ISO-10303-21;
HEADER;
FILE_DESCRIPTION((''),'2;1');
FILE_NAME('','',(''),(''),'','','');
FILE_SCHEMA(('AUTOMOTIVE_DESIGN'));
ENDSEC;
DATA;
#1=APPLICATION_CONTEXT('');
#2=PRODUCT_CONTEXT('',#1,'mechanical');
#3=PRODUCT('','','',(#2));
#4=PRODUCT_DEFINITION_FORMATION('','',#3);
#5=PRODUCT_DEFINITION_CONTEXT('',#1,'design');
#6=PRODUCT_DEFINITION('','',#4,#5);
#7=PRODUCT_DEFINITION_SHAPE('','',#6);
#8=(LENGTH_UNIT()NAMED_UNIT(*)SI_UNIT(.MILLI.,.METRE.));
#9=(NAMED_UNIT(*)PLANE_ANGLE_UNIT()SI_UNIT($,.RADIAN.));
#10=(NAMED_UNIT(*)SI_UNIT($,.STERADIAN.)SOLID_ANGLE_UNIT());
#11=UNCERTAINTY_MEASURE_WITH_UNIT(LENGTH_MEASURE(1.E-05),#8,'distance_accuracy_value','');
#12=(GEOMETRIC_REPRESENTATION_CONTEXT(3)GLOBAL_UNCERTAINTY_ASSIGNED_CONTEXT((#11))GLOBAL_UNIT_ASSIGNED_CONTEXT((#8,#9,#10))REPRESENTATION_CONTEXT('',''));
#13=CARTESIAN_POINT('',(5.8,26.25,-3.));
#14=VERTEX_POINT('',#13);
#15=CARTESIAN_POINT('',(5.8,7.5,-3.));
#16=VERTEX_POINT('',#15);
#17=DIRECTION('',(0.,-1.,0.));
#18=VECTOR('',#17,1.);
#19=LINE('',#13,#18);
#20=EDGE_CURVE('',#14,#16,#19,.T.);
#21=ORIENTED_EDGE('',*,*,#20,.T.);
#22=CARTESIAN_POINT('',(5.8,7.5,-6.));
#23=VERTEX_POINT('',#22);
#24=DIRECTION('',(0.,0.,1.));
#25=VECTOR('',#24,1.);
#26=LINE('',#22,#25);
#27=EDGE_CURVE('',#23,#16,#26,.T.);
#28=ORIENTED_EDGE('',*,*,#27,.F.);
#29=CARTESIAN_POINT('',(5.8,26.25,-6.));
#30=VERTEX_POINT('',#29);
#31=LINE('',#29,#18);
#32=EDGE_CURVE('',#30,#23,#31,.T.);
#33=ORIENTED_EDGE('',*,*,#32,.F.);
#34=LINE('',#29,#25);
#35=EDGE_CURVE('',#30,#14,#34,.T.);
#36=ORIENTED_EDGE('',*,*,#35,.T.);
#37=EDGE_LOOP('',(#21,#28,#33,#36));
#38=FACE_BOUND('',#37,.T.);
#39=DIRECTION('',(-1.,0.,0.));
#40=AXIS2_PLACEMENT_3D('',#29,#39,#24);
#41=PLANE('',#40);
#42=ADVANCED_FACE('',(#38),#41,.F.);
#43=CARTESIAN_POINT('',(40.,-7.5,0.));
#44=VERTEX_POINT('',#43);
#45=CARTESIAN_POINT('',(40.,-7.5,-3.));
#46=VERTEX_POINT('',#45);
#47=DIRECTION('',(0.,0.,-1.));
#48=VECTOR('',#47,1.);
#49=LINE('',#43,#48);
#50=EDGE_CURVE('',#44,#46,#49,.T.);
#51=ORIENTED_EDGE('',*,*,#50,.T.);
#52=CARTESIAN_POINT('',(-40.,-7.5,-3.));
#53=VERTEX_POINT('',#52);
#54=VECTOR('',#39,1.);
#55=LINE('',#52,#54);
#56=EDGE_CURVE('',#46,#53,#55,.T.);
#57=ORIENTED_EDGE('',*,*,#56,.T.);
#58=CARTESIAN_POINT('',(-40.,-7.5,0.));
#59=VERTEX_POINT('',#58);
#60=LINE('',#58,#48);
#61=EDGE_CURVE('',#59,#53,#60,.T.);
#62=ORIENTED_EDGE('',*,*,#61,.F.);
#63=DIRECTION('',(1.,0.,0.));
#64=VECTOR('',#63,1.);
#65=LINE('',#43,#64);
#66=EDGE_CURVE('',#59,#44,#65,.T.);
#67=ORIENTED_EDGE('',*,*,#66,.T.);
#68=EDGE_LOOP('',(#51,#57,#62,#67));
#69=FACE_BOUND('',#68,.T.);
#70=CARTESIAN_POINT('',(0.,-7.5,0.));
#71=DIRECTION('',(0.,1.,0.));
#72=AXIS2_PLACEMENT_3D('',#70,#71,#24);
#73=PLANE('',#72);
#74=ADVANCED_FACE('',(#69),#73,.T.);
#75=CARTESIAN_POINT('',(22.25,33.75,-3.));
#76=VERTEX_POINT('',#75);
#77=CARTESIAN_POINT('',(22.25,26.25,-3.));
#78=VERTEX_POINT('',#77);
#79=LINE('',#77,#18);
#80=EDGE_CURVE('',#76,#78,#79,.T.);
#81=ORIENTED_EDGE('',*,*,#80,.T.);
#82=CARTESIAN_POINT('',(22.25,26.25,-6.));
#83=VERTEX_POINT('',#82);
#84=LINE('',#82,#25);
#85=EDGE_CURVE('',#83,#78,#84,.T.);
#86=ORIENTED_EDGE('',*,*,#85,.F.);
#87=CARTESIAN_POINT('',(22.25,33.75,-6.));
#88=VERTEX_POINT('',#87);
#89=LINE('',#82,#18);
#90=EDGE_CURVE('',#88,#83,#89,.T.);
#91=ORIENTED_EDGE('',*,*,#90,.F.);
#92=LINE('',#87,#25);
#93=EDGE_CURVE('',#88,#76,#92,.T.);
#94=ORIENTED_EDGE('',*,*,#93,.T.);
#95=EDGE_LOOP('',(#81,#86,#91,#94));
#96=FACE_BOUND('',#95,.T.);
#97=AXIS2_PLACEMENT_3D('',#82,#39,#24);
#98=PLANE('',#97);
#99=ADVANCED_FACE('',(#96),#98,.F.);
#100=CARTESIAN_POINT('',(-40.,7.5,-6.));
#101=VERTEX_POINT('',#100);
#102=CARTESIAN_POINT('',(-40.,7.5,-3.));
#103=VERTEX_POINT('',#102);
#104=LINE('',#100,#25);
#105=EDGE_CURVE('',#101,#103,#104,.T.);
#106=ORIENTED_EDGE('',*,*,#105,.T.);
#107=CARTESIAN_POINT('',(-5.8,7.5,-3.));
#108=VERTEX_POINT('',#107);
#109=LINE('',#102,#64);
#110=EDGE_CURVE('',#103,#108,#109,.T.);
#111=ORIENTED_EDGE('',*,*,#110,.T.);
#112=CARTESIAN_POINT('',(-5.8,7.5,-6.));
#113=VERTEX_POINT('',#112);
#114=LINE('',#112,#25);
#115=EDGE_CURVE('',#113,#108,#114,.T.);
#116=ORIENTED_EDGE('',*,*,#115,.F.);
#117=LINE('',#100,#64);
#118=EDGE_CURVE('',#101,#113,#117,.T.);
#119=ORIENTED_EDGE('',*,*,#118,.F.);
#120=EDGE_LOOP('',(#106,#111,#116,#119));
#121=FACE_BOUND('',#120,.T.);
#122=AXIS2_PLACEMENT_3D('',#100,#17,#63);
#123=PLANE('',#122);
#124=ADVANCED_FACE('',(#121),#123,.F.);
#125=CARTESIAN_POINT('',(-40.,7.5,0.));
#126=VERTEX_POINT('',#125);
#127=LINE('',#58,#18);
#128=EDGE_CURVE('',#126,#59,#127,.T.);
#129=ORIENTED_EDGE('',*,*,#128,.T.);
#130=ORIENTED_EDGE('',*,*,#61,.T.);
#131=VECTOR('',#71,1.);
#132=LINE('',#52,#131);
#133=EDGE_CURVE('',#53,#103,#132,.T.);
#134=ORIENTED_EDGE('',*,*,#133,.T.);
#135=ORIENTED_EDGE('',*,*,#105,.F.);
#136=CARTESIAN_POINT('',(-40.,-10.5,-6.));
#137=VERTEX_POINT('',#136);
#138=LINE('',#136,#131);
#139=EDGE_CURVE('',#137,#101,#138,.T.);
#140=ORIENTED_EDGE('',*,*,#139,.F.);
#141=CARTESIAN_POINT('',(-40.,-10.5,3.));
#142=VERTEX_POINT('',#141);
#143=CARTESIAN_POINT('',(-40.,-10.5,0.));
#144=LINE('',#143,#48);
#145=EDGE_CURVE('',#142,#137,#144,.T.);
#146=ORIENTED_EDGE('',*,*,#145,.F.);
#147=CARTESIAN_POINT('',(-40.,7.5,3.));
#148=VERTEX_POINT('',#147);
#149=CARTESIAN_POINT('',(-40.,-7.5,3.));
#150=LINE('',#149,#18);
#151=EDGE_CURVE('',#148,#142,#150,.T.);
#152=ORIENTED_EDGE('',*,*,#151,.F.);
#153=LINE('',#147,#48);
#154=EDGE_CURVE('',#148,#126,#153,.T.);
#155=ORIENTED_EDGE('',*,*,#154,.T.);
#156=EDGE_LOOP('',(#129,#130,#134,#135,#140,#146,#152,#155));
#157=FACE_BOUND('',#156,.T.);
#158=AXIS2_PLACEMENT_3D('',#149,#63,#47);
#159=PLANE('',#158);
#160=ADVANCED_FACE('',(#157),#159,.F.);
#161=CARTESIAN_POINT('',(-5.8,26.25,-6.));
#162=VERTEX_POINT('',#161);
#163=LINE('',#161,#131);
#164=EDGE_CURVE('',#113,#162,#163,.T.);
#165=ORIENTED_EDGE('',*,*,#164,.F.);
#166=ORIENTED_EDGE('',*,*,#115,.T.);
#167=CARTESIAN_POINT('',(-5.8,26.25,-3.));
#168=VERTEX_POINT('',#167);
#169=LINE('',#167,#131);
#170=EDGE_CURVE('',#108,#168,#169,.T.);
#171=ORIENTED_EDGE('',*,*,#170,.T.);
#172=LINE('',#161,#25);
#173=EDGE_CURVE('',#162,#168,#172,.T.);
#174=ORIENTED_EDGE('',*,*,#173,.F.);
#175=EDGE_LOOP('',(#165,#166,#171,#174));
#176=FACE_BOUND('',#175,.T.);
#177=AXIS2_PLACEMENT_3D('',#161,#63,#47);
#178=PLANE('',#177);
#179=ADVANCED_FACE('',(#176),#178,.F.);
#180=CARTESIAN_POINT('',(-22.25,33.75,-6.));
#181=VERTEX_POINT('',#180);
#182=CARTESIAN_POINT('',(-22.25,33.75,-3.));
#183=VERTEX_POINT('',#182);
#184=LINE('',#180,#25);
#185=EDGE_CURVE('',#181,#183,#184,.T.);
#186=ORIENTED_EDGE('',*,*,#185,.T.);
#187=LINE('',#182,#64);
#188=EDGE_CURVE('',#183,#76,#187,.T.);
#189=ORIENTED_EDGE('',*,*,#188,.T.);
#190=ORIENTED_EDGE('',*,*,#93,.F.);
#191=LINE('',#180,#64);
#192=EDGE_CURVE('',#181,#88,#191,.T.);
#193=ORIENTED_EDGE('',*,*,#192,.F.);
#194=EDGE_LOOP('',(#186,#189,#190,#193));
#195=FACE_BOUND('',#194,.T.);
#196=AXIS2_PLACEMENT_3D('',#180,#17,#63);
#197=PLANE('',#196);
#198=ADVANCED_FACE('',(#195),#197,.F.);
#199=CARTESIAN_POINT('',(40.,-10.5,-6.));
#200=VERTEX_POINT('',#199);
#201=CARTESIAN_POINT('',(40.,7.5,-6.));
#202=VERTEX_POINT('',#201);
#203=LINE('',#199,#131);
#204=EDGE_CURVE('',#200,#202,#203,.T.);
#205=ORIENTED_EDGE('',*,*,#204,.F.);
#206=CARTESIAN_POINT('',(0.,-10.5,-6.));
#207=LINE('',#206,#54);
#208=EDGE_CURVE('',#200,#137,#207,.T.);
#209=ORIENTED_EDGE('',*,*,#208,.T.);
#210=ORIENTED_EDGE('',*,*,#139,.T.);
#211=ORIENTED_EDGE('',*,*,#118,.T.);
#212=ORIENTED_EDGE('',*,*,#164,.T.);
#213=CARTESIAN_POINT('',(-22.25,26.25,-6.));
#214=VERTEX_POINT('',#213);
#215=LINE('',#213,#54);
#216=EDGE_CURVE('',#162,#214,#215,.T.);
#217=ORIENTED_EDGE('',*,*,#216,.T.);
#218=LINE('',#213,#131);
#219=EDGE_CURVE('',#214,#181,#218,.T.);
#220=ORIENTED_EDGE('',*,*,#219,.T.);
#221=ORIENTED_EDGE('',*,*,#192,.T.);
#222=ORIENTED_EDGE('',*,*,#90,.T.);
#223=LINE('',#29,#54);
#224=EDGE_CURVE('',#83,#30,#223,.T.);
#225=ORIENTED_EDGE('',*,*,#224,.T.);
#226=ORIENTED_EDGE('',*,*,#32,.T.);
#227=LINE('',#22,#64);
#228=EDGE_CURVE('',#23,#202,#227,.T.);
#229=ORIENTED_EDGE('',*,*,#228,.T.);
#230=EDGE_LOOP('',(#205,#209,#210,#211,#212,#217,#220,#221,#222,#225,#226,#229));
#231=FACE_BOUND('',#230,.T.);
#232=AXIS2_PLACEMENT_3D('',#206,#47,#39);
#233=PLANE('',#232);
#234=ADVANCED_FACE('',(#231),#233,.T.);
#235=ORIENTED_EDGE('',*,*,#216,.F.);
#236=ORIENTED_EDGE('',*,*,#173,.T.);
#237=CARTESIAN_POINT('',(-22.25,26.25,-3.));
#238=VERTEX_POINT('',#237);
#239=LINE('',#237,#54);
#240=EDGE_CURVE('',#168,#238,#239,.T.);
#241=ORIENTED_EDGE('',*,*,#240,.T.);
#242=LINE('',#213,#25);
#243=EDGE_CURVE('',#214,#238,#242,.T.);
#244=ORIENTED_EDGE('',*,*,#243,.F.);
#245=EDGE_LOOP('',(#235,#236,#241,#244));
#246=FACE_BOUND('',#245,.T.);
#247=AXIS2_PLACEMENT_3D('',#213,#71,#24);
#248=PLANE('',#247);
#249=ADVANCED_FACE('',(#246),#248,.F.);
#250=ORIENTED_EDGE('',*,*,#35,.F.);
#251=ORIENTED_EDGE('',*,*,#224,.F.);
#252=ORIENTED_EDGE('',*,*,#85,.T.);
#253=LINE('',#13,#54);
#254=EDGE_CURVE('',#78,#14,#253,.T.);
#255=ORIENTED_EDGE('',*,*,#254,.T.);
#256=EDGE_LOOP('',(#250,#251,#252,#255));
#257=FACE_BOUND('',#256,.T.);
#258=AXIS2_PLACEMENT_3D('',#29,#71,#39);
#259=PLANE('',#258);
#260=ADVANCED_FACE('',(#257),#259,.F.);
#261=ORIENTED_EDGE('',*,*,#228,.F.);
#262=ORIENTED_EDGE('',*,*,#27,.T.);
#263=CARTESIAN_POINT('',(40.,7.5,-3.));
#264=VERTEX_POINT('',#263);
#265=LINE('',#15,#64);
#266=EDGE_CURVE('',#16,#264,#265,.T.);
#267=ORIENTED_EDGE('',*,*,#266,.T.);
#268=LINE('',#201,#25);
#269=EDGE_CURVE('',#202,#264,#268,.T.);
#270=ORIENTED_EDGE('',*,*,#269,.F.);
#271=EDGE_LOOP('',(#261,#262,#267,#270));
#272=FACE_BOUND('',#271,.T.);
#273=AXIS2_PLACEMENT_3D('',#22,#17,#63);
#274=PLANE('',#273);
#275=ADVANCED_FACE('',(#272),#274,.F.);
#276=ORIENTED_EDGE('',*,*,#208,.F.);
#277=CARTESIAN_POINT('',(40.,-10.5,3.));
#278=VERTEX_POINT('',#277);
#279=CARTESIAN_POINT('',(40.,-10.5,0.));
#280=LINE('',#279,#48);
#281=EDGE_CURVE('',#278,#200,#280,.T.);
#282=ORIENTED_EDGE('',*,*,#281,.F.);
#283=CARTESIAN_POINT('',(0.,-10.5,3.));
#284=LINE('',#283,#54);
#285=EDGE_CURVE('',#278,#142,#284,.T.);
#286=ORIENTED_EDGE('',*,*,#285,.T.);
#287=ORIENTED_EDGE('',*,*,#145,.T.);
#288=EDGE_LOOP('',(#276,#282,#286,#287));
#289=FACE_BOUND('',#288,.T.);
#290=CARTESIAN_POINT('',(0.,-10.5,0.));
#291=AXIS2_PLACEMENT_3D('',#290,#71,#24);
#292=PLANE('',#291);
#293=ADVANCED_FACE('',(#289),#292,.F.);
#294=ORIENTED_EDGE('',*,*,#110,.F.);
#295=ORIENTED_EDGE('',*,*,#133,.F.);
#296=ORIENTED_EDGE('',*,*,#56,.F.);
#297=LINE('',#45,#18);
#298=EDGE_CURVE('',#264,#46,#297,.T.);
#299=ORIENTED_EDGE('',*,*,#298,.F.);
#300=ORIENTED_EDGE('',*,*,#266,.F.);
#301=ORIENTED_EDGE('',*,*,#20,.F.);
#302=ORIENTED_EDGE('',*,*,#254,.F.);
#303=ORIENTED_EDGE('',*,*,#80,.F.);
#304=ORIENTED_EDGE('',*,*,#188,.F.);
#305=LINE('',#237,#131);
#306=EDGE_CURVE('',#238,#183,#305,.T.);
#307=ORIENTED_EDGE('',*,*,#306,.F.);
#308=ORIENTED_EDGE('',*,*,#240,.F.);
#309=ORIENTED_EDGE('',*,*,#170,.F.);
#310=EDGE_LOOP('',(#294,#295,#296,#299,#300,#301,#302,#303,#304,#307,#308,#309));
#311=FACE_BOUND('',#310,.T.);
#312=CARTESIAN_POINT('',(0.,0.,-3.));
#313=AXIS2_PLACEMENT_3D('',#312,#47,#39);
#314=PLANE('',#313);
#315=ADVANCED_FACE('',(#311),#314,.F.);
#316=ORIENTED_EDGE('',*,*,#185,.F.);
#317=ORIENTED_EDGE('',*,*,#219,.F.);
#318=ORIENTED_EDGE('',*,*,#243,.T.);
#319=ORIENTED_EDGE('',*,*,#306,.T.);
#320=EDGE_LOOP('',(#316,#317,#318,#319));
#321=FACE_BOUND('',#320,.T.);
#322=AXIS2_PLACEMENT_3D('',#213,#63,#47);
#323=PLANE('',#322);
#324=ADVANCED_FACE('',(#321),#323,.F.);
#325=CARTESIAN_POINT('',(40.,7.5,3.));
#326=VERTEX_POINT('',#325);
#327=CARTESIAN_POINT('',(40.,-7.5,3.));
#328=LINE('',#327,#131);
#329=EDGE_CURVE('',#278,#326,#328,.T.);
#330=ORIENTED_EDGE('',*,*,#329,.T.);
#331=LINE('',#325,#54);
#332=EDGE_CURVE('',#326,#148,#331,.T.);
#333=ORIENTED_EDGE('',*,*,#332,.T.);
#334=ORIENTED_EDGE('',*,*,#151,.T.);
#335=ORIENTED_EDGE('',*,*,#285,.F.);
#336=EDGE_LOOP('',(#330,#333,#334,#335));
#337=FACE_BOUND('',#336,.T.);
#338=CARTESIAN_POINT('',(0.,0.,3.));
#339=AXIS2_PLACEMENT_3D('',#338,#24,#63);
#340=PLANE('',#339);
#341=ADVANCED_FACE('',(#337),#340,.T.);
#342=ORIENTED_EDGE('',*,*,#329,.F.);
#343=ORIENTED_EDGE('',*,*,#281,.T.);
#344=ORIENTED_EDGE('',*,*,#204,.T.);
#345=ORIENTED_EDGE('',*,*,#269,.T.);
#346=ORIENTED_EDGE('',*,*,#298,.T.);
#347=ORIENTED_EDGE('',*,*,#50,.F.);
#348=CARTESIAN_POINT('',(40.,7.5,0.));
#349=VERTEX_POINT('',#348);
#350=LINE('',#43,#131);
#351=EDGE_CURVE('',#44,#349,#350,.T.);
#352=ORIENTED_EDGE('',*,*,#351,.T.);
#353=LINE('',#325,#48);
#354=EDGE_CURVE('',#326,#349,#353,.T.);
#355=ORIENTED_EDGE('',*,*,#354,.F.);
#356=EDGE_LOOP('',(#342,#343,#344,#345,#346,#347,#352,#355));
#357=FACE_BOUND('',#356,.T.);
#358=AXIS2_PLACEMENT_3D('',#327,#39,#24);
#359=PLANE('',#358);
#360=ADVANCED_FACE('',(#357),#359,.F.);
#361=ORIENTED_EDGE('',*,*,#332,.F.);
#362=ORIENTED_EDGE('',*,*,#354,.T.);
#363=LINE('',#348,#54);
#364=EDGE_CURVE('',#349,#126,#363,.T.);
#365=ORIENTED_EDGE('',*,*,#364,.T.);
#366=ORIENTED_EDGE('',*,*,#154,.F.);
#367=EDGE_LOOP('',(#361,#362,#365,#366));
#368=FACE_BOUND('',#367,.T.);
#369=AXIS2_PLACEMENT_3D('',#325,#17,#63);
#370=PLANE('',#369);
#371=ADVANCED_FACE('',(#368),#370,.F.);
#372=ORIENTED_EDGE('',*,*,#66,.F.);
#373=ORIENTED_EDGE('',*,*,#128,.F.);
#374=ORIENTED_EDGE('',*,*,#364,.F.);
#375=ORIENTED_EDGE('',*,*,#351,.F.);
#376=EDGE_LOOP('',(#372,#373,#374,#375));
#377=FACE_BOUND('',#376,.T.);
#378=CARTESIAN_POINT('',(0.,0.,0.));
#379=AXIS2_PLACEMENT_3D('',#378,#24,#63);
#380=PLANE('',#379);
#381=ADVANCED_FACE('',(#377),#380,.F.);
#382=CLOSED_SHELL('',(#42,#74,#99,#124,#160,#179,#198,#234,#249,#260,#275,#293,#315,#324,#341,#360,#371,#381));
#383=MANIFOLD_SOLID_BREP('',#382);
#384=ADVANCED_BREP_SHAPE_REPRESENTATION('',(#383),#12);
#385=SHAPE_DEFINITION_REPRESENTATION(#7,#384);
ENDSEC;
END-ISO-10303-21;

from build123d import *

# Parameters (mm, degrees)
SKETCH1_W           = 80
SKETCH1_H           = 15
BOSS_EXTRUDE1_DEPTH = 3
BOSS_EXTRUDE2_DEPTH = 3
SKETCH2_W           = 80
SKETCH2_H           = 3
BOSS_EXTRUDE3_DEPTH = 3


with BuildPart() as part:
    # Sketch1 → Boss-Extrude1 (new body)
    with BuildSketch(Plane.XY):
        Rectangle(SKETCH1_W, SKETCH1_H)
    extrude(amount=BOSS_EXTRUDE1_DEPTH)



with BuildPart() as body_2:
    # Sketch3 → Boss-Extrude2 (new body)
    with BuildSketch(Plane(origin=(0, 0, -3), x_dir=(-1, 0, 0), z_dir=(0, 0, -1))):
        Polygon((40, -7.5), (-40, -7.5), (-40, 7.5), (-5.8, 7.5), (-5.8, 26.25), (-22.25, 26.25), (-22.25, 33.75), (22.25, 33.75), (22.25, 26.25), (5.8, 26.25), (5.8, 7.5), (40, 7.5), align=None)
    extrude(amount=BOSS_EXTRUDE2_DEPTH)


with BuildPart() as part_1:
    add(part.part)

    add(body_2.part)  # Boss-Extrude3 merges body 2
    # Sketch2 → Boss-Extrude3 (add)
    with BuildSketch(Plane(origin=(0, -7.5, 0), x_dir=(1, 0, 0), z_dir=(0, 1, 0))):
        with Locations((0, 4.5)):
            Rectangle(SKETCH2_W, SKETCH2_H)
        with Locations((0, 1.5)):
            Rectangle(SKETCH2_W, SKETCH2_H)
        with Locations((0, -1.5)):
            Rectangle(SKETCH2_W, SKETCH2_H)
    extrude(amount=-BOSS_EXTRUDE3_DEPTH)


solid = part_1.part
